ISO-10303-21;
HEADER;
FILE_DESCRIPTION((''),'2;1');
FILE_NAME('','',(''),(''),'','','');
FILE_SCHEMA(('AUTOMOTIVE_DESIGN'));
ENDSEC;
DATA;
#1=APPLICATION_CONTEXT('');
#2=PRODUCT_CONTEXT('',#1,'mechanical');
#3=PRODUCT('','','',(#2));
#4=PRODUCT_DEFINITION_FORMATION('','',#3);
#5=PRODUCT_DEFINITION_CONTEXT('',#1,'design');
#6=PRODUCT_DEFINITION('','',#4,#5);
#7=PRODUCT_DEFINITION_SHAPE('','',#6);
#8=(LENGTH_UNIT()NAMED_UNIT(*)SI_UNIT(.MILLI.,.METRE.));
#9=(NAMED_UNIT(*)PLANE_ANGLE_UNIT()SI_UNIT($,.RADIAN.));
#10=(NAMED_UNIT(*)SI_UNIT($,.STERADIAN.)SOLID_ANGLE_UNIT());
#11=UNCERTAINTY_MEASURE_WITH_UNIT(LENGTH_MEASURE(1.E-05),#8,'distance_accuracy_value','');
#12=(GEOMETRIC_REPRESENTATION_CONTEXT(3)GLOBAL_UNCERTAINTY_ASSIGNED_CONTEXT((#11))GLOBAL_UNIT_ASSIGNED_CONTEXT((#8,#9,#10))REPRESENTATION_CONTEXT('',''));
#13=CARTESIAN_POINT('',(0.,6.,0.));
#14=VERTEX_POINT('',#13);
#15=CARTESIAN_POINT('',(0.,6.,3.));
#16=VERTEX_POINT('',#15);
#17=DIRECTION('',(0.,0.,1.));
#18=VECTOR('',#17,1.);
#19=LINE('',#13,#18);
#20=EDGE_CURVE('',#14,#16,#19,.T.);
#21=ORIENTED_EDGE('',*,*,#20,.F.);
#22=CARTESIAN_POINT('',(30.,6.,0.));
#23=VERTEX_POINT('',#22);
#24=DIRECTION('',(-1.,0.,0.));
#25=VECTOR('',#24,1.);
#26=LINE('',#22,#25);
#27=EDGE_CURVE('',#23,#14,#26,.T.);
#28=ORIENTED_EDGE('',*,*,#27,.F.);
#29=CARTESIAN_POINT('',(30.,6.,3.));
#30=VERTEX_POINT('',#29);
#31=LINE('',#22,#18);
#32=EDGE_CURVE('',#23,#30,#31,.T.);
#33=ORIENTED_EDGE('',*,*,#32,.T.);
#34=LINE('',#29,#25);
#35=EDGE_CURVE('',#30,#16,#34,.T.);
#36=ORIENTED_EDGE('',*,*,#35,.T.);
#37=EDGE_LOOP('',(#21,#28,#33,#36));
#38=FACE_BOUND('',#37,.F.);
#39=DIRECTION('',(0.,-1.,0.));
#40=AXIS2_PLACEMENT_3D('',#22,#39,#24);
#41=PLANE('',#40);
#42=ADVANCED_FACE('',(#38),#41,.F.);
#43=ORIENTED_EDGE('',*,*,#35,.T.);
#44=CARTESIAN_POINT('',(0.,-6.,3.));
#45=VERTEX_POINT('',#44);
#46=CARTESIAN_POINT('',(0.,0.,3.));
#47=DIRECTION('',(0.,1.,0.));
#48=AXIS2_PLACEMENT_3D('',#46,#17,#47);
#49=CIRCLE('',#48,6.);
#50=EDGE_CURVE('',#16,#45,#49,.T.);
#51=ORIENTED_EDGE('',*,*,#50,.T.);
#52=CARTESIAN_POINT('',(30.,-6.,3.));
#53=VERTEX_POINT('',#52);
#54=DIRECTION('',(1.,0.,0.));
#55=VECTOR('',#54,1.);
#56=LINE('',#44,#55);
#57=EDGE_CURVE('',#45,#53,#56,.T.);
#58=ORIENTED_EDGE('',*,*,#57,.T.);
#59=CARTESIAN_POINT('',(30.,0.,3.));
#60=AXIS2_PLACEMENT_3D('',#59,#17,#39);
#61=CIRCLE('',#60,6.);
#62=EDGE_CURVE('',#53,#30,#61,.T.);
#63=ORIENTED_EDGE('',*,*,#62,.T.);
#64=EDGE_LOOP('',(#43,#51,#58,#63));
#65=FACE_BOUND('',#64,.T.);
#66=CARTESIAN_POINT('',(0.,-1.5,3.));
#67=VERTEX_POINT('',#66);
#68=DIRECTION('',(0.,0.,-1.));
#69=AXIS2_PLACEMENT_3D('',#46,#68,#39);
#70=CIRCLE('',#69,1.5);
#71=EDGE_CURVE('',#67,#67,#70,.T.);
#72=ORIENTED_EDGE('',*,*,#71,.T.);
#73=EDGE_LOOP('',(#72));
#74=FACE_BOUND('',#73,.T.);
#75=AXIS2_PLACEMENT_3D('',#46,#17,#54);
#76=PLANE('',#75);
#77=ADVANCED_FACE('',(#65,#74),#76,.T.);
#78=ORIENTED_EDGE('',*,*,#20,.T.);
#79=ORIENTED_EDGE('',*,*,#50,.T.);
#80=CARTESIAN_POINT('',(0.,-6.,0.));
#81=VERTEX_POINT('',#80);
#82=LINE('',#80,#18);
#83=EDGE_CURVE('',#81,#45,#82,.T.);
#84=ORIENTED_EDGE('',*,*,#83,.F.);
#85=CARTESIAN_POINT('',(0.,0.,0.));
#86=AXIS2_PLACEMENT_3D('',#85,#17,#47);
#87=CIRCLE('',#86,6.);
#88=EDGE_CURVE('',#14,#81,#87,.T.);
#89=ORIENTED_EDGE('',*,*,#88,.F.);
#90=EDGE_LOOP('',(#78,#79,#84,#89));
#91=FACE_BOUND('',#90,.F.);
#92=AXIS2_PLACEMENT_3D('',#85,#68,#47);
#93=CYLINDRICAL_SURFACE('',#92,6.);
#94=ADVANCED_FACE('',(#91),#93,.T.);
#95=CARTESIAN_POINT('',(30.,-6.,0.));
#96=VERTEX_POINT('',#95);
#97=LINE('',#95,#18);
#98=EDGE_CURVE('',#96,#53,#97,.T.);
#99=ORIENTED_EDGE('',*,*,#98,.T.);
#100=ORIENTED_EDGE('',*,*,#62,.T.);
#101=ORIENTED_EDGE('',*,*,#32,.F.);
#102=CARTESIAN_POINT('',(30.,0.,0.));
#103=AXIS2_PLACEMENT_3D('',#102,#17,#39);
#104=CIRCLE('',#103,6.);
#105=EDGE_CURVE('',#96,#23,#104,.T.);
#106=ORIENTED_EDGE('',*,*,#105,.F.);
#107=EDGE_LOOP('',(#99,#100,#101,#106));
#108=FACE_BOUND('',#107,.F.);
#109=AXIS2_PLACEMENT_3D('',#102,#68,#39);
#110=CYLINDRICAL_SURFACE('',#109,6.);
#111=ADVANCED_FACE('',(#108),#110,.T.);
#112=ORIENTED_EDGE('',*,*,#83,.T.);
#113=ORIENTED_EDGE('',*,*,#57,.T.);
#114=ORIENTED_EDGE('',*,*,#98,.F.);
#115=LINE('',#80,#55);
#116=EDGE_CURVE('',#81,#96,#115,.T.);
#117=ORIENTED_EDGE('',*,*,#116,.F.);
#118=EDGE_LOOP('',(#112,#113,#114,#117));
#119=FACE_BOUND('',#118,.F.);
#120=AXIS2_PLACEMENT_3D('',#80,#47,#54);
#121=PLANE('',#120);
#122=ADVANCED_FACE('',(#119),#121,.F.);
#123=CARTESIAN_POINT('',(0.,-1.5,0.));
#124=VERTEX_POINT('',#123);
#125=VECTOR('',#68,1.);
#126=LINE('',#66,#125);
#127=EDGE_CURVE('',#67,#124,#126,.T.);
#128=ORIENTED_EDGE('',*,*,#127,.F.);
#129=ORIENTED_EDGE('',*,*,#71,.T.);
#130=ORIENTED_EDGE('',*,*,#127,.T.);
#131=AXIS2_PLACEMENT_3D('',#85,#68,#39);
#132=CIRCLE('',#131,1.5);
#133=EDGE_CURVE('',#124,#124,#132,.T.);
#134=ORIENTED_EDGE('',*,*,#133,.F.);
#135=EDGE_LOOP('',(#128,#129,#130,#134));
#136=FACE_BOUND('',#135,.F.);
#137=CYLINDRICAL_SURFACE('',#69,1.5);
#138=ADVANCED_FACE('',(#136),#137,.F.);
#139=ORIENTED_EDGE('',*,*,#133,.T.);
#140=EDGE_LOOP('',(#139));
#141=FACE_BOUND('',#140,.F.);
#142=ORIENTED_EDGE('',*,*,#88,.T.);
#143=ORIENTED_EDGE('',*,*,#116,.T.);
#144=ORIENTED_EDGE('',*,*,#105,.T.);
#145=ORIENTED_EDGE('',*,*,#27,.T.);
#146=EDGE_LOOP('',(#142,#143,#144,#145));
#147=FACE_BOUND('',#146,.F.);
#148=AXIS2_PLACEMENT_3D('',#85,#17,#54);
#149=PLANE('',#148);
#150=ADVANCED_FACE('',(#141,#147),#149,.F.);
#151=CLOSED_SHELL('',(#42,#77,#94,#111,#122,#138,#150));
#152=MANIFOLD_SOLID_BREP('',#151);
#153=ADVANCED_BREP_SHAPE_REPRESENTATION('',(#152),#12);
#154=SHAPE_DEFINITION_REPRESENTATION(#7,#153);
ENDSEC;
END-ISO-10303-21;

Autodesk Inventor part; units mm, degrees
ref_plane "YZ Plane" through (0, 0, 0) normal (1, 0, 0) x (0, 1, 0)
ref_plane "XZ Plane" through (0, 0, 0) normal (0, 1, 0) x (-1, 0, 0)
ref_plane "XY Plane" through (0, 0, 0) normal (0, 0, 1) x (1, 0, 0)
sketch "Sketch1" plane through (0, 0, 0) normal (0, 0, 1) x (1, 0, 0)
  line L0 (0, 0) -> (30, 0) construction
  line L1 (0, -6) -> (30, -6)
  line L2 (30, 6) -> (0, 6)
  arc A0 (0, 6) -> (0, -6) centre (0, 0) ccw
  arc A1 (30, -6) -> (30, 6) centre (30, 0) ccw
  point P0 (15, 0)
  dimension "d0" = 12
  dimension "d1" = 30
extrude "Extrusion1" add sketch "Sketch1" along normal blind 3
sketch "Sketch2" plane through (0, 0, 3) normal (0, 0, 1) x (1, 0, 0)
  point P0 (0, 0)
  point P1 (0, 0)
hole "Hole1" at (0, 0, 3) direction (0, 0, -1) diameter 3 end through all
properties part number "Pancake_Reverse Weight" material "Aluminum 6061"
